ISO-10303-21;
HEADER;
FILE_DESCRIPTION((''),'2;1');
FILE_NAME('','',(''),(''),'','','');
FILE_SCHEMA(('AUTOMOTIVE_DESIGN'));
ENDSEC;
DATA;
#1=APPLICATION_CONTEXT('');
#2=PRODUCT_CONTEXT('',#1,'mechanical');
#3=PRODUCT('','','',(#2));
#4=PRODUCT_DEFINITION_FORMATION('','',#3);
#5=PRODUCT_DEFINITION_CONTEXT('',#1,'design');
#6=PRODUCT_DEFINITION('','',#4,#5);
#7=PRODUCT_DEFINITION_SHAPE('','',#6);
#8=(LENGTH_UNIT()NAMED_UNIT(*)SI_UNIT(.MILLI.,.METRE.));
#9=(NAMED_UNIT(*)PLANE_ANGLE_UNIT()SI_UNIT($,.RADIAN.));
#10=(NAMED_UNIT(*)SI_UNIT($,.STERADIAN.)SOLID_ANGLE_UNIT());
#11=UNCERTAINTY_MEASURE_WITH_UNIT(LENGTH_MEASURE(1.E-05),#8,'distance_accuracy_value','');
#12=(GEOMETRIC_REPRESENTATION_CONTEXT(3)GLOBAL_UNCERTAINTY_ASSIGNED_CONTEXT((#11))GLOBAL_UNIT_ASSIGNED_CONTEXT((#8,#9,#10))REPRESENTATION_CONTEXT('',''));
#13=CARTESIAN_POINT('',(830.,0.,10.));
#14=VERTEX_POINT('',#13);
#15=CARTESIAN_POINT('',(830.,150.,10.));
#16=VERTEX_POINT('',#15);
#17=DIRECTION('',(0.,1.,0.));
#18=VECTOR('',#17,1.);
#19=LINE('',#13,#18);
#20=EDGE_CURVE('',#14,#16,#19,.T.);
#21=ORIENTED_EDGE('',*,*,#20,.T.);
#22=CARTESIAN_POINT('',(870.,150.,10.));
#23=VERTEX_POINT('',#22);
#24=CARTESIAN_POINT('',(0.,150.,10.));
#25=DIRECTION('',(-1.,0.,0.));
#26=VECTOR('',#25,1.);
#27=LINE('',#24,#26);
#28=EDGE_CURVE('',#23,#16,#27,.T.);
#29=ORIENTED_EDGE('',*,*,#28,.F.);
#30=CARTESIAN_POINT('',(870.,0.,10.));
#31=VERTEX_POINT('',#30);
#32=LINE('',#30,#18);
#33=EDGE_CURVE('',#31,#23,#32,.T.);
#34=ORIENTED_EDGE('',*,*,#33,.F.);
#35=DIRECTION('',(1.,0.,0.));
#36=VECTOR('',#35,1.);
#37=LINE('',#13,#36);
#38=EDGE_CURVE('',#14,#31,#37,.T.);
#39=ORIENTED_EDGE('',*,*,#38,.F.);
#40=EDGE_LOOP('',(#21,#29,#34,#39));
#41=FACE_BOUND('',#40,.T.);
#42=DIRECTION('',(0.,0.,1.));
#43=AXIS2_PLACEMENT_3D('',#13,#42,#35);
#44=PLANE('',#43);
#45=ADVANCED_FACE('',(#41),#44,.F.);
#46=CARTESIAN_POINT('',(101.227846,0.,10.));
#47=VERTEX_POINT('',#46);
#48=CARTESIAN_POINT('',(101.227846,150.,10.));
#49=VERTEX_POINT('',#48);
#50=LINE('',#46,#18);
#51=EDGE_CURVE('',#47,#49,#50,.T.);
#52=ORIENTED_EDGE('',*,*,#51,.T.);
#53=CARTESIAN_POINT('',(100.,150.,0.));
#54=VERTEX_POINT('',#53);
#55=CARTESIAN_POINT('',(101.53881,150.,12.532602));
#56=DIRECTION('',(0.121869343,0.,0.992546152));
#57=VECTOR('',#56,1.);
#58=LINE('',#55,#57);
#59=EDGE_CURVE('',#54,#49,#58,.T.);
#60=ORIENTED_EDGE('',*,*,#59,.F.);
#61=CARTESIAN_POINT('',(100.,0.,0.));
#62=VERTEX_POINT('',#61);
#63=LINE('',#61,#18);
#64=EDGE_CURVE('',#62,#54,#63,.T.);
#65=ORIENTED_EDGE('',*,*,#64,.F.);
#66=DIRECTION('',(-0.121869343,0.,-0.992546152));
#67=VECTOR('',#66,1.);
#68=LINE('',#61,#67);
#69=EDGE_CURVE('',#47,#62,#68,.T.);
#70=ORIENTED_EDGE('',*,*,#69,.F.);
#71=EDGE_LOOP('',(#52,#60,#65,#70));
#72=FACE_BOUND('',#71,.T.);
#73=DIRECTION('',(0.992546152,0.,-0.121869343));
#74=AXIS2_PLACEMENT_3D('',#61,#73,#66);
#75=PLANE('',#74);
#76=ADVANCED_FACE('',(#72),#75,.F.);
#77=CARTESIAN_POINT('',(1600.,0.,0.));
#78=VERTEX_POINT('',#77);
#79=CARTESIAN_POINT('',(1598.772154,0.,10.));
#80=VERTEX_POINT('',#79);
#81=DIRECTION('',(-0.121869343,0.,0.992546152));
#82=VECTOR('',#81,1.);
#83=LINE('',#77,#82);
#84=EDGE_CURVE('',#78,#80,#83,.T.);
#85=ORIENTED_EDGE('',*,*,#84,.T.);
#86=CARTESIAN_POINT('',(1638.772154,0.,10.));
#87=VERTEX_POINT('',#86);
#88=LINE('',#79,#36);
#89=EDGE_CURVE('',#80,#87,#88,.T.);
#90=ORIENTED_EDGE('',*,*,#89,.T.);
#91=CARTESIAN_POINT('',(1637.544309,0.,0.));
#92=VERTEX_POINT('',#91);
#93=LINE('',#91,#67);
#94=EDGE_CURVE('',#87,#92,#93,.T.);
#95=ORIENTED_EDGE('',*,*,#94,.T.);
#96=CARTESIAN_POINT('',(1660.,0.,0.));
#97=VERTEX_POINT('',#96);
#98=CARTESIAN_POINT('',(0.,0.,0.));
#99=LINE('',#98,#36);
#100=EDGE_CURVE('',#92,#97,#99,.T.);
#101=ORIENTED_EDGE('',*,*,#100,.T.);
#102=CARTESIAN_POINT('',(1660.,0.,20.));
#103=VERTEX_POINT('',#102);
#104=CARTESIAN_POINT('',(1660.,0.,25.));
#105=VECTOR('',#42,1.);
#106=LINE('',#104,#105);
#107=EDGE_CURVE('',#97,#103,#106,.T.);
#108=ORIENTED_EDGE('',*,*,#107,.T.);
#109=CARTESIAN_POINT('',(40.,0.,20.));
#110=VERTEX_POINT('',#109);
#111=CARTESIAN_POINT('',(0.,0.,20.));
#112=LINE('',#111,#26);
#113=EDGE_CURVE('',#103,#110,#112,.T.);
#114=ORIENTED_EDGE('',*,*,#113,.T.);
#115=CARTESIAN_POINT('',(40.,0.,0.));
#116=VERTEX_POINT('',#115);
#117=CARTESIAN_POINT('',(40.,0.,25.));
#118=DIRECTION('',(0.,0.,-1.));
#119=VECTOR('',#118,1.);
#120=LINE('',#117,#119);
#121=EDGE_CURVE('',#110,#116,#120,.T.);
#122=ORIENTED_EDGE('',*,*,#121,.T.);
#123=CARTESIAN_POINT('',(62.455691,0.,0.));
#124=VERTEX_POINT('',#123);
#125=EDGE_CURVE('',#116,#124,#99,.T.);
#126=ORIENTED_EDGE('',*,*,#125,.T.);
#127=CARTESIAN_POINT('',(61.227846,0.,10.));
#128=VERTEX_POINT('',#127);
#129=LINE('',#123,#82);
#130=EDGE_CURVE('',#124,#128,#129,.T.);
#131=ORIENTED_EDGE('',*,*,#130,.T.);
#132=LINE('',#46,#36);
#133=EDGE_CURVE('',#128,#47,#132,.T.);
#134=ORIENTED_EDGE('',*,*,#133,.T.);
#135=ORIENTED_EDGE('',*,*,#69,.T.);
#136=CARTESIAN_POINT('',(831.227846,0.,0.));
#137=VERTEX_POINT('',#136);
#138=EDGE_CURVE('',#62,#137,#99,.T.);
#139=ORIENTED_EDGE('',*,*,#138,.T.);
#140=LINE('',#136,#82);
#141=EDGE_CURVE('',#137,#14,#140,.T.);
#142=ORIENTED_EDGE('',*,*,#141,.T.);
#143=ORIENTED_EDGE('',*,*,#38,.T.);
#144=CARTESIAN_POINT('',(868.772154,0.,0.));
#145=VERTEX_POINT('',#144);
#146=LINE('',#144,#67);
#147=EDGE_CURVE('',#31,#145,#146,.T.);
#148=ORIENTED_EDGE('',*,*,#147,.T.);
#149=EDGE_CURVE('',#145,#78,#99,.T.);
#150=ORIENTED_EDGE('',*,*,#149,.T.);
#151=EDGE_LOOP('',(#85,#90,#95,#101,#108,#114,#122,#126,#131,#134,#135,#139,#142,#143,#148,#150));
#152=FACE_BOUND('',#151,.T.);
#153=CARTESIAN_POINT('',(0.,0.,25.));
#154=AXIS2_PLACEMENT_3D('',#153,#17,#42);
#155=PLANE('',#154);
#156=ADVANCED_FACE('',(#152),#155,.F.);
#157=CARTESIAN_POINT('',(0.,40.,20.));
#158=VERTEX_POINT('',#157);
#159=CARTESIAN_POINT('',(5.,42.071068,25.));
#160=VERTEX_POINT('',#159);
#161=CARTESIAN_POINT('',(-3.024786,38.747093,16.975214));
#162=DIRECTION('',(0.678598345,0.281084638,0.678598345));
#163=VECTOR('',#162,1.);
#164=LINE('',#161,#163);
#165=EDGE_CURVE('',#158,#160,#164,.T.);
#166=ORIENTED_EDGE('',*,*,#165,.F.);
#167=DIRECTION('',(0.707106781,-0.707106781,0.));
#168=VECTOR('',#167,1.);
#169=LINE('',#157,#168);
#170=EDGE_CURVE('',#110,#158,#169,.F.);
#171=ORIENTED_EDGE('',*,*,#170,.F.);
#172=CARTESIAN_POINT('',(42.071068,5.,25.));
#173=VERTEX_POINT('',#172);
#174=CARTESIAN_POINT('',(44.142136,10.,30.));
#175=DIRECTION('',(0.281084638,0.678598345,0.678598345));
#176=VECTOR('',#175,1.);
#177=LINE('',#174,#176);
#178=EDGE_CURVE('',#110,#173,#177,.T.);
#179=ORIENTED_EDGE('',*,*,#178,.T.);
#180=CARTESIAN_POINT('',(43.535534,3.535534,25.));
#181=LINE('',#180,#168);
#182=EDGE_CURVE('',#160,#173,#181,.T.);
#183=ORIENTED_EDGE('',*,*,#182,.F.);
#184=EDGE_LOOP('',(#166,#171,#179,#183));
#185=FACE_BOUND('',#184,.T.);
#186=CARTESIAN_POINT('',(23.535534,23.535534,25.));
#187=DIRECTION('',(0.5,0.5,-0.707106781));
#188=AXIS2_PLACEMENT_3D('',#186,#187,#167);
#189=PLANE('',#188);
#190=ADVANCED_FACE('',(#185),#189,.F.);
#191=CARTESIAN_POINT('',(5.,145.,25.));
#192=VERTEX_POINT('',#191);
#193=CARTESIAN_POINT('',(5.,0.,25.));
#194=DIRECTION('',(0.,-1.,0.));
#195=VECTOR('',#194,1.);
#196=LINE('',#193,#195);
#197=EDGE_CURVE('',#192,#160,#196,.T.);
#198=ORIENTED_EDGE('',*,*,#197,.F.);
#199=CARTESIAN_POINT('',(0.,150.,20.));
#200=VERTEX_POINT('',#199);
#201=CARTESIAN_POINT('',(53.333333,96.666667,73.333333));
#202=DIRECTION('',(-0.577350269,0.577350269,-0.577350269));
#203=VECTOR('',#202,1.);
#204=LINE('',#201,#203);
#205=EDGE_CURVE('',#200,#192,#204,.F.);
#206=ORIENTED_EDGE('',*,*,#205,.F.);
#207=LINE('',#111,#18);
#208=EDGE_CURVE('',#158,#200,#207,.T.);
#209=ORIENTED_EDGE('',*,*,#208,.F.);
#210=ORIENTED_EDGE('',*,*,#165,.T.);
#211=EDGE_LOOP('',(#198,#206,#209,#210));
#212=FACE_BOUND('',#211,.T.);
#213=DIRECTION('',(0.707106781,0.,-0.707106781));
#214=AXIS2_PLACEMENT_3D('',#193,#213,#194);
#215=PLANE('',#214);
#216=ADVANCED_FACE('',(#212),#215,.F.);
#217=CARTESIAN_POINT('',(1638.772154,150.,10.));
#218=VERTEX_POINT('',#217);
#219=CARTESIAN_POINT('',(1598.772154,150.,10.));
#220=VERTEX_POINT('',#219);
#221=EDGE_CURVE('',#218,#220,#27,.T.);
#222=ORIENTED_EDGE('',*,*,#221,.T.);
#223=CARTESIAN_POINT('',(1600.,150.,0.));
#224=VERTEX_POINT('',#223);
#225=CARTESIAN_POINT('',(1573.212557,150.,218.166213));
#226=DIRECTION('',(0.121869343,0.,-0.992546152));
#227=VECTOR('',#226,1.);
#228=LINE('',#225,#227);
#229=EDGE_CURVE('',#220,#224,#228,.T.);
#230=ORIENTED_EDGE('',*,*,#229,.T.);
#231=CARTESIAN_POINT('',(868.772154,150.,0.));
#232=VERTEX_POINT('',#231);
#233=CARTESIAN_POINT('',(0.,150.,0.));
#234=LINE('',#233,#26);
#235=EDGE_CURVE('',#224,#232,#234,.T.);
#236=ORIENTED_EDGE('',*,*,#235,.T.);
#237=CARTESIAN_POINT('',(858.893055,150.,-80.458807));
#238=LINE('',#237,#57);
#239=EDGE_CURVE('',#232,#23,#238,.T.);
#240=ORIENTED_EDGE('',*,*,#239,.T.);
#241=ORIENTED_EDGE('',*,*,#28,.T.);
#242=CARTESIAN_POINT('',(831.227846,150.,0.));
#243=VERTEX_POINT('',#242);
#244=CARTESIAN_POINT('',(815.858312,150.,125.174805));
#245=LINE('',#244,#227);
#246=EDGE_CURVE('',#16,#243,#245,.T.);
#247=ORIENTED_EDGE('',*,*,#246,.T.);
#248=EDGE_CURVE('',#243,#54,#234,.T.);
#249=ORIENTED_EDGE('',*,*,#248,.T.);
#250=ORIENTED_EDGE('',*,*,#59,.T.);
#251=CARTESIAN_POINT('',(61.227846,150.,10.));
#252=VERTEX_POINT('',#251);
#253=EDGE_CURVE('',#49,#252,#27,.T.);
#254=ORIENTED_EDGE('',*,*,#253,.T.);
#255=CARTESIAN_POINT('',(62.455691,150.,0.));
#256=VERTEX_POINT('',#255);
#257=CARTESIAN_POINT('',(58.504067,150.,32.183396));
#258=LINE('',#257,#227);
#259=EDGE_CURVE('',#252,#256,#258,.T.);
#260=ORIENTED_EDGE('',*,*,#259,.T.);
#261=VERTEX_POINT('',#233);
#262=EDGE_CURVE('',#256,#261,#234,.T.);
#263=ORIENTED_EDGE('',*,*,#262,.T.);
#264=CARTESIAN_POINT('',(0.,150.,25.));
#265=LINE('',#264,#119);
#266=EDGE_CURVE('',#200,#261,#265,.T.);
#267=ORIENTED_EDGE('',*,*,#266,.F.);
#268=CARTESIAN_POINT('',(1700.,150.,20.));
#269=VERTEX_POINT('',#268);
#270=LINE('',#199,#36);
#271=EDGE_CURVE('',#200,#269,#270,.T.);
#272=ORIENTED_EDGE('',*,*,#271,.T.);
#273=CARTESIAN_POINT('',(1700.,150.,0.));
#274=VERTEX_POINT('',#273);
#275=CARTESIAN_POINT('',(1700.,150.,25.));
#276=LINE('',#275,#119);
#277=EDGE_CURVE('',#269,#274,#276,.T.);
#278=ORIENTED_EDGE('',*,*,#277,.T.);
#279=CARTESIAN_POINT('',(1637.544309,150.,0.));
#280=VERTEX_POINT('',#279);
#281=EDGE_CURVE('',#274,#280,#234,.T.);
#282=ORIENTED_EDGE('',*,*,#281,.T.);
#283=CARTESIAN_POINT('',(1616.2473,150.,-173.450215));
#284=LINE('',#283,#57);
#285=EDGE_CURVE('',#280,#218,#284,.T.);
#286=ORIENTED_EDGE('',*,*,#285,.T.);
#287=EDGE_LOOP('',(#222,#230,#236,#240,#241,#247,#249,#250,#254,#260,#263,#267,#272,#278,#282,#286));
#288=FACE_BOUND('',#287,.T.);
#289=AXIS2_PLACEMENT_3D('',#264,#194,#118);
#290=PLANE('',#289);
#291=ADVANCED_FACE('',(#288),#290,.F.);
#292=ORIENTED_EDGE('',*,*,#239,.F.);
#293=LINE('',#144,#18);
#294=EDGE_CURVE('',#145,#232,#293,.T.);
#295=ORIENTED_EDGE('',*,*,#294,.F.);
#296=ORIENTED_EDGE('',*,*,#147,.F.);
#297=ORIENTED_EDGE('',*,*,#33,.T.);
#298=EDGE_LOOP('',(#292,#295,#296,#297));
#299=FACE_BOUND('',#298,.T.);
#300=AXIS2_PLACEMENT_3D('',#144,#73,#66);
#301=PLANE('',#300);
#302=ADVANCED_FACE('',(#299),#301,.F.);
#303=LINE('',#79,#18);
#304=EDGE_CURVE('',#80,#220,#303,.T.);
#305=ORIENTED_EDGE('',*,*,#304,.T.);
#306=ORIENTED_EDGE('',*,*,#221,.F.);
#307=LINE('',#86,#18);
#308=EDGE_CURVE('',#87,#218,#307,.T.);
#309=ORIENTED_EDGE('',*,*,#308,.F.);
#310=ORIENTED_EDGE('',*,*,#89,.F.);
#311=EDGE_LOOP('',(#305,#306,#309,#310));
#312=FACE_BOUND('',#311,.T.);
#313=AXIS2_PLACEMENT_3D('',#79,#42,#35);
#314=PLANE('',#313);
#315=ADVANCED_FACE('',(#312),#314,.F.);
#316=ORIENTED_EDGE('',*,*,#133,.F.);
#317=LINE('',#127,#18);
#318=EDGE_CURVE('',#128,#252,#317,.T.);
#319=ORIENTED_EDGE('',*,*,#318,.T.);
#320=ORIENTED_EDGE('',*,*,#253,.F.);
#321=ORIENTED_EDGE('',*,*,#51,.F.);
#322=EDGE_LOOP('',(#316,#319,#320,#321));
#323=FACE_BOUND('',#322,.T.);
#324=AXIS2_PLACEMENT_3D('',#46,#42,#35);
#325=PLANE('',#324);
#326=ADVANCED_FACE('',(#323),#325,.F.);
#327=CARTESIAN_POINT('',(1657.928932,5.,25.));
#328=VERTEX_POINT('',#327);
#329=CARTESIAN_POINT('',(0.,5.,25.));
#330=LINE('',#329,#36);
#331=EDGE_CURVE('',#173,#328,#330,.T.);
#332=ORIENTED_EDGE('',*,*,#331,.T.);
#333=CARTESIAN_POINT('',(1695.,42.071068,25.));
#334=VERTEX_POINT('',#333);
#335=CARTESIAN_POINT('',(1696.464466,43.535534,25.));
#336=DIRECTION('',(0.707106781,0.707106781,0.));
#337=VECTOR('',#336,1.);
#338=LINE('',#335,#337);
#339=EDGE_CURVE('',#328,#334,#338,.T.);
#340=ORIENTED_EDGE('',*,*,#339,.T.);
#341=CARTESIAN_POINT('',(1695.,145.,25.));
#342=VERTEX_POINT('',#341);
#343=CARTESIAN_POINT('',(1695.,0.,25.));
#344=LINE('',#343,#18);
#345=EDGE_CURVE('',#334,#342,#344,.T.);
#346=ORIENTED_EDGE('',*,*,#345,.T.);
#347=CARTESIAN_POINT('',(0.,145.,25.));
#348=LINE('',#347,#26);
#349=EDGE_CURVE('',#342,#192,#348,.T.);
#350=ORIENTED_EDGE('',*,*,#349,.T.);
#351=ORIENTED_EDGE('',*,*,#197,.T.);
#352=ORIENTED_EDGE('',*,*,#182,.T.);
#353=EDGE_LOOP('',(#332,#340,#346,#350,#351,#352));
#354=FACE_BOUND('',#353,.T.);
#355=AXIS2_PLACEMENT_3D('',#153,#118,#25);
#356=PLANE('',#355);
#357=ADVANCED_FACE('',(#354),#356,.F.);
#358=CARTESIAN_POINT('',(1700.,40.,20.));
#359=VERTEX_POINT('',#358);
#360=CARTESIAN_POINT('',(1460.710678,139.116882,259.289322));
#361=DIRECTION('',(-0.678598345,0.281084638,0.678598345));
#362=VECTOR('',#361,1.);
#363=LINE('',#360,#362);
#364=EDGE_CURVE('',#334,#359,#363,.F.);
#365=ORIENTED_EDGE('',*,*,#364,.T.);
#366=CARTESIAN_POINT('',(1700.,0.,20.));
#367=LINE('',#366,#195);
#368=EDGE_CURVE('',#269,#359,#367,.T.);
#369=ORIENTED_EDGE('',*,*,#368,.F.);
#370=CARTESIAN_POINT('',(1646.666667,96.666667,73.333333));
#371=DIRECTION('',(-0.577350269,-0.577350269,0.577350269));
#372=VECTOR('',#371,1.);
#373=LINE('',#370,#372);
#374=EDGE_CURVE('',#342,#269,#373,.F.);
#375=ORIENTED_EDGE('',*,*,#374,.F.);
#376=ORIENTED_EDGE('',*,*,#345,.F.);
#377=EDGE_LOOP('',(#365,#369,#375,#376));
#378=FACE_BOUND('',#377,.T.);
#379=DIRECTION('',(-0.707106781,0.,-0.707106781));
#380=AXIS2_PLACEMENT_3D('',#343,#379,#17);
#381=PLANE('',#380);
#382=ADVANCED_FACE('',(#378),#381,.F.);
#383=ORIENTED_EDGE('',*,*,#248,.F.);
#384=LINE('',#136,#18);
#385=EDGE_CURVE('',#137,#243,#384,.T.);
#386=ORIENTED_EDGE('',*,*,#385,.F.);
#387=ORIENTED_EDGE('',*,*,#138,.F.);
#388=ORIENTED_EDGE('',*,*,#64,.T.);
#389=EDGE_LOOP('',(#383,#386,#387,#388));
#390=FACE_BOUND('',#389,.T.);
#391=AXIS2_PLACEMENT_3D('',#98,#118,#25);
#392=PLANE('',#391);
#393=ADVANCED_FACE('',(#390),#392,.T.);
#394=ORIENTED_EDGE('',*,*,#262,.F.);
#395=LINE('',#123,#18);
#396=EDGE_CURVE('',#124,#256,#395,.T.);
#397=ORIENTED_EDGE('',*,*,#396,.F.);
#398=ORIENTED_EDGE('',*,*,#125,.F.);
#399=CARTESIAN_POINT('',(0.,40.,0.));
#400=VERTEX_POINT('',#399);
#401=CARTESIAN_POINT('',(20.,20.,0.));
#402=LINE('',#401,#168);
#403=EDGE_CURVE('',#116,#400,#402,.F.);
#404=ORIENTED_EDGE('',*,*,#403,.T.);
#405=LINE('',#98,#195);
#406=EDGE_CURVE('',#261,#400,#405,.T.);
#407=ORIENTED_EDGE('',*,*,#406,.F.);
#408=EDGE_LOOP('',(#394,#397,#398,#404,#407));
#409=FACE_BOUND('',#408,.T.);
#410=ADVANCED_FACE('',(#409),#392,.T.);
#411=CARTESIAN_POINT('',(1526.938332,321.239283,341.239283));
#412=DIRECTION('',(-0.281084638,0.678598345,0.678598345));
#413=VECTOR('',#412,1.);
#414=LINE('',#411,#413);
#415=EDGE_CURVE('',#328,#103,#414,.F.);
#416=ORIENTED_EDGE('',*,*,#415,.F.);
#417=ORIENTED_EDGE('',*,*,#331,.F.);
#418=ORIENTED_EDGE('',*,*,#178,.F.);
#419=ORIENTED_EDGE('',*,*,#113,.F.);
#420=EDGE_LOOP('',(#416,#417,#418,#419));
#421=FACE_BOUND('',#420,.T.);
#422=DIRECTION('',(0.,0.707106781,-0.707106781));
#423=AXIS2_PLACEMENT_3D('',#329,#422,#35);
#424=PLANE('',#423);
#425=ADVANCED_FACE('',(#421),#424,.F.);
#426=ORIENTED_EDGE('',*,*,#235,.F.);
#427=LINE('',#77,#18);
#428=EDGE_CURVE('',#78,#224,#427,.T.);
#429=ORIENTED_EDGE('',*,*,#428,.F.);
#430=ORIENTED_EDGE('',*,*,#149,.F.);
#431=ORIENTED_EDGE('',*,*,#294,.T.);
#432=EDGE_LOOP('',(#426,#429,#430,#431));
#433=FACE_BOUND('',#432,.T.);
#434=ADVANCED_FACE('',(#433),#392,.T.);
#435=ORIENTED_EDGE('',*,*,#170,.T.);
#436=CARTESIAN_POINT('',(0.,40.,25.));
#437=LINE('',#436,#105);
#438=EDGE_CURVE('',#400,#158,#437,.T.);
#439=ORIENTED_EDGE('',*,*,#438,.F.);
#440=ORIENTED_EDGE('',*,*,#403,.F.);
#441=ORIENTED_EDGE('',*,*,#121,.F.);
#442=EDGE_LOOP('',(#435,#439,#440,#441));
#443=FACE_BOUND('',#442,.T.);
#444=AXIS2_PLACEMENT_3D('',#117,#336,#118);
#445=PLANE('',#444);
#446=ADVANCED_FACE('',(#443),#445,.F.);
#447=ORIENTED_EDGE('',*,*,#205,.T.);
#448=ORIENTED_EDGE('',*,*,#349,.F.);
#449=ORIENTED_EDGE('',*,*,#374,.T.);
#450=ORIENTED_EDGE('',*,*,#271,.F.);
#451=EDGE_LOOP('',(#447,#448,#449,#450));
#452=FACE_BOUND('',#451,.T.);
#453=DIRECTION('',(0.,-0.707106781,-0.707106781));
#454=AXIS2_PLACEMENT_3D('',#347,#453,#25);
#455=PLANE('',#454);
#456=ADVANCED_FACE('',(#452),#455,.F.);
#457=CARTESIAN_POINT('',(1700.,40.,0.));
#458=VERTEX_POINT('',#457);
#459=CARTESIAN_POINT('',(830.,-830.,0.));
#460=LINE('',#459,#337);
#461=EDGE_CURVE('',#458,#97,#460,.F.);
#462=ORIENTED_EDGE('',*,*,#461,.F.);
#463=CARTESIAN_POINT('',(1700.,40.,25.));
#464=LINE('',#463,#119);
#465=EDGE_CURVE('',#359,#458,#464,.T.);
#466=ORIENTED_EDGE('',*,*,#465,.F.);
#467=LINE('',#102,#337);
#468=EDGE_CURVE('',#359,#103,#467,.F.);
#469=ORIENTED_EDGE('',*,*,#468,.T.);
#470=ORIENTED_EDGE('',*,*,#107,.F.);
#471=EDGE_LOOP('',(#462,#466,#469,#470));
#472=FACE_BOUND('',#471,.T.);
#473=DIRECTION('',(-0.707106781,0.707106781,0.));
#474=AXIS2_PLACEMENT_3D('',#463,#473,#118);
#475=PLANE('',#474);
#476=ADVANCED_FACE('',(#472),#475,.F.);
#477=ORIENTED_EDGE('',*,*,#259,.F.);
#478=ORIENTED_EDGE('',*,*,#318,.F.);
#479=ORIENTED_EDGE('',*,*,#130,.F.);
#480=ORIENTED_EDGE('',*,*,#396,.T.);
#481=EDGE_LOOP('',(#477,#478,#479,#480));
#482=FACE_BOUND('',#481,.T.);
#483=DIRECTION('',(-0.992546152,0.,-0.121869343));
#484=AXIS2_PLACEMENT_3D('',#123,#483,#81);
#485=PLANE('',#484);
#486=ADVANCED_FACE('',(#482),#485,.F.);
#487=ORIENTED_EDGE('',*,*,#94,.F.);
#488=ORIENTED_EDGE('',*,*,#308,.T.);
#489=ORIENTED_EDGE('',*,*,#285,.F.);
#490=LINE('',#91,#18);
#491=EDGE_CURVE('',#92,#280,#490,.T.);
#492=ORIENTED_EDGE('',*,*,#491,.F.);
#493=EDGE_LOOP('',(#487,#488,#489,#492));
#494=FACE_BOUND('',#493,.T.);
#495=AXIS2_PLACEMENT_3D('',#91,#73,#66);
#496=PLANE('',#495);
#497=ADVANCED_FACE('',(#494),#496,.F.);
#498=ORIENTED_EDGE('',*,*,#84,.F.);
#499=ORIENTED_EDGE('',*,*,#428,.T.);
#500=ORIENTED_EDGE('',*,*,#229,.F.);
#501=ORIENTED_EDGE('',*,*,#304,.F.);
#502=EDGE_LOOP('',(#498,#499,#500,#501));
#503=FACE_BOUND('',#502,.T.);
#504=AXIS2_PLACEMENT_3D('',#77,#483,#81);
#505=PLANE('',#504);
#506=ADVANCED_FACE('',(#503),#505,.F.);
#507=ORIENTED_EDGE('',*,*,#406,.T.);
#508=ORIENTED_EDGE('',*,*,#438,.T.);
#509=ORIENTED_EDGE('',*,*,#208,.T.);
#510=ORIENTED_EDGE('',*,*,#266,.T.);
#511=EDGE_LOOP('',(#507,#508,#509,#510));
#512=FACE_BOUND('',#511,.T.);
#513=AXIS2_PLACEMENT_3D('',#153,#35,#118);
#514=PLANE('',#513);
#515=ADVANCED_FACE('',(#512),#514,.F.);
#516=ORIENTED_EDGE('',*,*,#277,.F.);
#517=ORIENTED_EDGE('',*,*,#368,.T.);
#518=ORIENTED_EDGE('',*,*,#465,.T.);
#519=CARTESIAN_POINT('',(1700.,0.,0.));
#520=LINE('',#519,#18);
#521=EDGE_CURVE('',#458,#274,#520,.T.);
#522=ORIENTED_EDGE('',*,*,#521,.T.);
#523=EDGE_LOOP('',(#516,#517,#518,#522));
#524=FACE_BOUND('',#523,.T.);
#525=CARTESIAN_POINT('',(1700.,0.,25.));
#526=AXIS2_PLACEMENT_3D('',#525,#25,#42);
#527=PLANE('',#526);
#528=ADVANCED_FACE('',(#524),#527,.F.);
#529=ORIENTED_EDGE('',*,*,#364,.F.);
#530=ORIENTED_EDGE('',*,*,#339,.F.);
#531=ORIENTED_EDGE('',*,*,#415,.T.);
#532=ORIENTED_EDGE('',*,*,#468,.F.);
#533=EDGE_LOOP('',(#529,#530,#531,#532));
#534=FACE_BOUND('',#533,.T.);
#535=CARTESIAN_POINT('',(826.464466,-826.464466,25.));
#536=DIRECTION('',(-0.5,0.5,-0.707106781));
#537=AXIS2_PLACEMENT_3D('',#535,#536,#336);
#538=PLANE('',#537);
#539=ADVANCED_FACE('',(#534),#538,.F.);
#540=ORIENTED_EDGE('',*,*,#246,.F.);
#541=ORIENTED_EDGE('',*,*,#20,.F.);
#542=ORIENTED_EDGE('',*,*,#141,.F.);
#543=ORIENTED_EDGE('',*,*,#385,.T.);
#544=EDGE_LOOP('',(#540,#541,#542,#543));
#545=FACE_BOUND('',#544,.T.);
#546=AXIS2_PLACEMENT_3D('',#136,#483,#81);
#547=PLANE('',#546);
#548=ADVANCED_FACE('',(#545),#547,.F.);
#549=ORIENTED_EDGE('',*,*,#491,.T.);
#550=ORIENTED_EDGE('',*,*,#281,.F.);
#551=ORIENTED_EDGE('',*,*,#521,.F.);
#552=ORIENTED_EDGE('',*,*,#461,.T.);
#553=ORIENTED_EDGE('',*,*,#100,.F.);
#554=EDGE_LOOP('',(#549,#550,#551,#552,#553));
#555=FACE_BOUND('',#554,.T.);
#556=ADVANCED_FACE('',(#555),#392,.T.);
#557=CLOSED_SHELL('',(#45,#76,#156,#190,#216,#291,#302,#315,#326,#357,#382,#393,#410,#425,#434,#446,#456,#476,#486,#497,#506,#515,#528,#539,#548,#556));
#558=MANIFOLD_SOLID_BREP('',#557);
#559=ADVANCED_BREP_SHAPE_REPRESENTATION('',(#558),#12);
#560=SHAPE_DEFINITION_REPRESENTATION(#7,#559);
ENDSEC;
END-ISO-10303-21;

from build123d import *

# Parameters (mm, degrees)
ESQUISSE1_W                  = 1700
ESQUISSE1_H                  = 150
BOSS_EXTRU_1_DEPTH           = 25
ENL_V_MAT_EXTRU_1_DEPTH      = 1707.78791887
ENL_V_MAT_EXTRU_1_DEPTH_BACK = 1707.78791887
CHANFREIN2_SIZE              = 40
CHANFREIN3_SIZE              = 5


with BuildPart() as part:
    # Esquisse1 → Boss.-Extru.1 (new body)
    with BuildSketch(Plane.XY):
        with Locations((850, 75)):
            Rectangle(ESQUISSE1_W, ESQUISSE1_H)
    extrude(amount=BOSS_EXTRU_1_DEPTH)

    # Esquisse2 → Enlèv. mat.-Extru.1 (cut, two sides: drawn at the far end of the back side and taken through both)
    with BuildSketch(Plane(origin=(0, 150, 0), x_dir=(1, 0, 0), z_dir=(0, 1, 0)).offset(-ENL_V_MAT_EXTRU_1_DEPTH_BACK)):
        Polygon((100, 0), (101.227845609, -10), (61.227845609, -10), (62.455691218, 0), align=None)
        Polygon((1637.544308782, 0), (1638.772154391, -10), (1598.772154391, -10), (1600, 0), align=None)
        Polygon((868.772154391, 0), (831.227845609, 0), (830, -10), (870, -10), align=None)
    extrude(amount=ENL_V_MAT_EXTRU_1_DEPTH + ENL_V_MAT_EXTRU_1_DEPTH_BACK, mode=Mode.SUBTRACT)

    # Chanfrein2
    chanfrein2_edges = [part.edges().sort_by_distance(p)[0] for p in [
        (1700, 0, 12.5),
        (0, 0, 12.5),
    ]]
    chamfer(chanfrein2_edges, length=CHANFREIN2_SIZE)

    # Chanfrein3
    chanfrein3_edges = [part.edges().sort_by_distance(p)[0] for p in [
        (850, 150, 25),
        (0, 95, 25),
        (850, 0, 25),
        (1700, 95, 25),
        (1680, 20, 25),
        (20, 20, 25),
    ]]
    chamfer(chanfrein3_edges, length=CHANFREIN3_SIZE)


solid = part.part
